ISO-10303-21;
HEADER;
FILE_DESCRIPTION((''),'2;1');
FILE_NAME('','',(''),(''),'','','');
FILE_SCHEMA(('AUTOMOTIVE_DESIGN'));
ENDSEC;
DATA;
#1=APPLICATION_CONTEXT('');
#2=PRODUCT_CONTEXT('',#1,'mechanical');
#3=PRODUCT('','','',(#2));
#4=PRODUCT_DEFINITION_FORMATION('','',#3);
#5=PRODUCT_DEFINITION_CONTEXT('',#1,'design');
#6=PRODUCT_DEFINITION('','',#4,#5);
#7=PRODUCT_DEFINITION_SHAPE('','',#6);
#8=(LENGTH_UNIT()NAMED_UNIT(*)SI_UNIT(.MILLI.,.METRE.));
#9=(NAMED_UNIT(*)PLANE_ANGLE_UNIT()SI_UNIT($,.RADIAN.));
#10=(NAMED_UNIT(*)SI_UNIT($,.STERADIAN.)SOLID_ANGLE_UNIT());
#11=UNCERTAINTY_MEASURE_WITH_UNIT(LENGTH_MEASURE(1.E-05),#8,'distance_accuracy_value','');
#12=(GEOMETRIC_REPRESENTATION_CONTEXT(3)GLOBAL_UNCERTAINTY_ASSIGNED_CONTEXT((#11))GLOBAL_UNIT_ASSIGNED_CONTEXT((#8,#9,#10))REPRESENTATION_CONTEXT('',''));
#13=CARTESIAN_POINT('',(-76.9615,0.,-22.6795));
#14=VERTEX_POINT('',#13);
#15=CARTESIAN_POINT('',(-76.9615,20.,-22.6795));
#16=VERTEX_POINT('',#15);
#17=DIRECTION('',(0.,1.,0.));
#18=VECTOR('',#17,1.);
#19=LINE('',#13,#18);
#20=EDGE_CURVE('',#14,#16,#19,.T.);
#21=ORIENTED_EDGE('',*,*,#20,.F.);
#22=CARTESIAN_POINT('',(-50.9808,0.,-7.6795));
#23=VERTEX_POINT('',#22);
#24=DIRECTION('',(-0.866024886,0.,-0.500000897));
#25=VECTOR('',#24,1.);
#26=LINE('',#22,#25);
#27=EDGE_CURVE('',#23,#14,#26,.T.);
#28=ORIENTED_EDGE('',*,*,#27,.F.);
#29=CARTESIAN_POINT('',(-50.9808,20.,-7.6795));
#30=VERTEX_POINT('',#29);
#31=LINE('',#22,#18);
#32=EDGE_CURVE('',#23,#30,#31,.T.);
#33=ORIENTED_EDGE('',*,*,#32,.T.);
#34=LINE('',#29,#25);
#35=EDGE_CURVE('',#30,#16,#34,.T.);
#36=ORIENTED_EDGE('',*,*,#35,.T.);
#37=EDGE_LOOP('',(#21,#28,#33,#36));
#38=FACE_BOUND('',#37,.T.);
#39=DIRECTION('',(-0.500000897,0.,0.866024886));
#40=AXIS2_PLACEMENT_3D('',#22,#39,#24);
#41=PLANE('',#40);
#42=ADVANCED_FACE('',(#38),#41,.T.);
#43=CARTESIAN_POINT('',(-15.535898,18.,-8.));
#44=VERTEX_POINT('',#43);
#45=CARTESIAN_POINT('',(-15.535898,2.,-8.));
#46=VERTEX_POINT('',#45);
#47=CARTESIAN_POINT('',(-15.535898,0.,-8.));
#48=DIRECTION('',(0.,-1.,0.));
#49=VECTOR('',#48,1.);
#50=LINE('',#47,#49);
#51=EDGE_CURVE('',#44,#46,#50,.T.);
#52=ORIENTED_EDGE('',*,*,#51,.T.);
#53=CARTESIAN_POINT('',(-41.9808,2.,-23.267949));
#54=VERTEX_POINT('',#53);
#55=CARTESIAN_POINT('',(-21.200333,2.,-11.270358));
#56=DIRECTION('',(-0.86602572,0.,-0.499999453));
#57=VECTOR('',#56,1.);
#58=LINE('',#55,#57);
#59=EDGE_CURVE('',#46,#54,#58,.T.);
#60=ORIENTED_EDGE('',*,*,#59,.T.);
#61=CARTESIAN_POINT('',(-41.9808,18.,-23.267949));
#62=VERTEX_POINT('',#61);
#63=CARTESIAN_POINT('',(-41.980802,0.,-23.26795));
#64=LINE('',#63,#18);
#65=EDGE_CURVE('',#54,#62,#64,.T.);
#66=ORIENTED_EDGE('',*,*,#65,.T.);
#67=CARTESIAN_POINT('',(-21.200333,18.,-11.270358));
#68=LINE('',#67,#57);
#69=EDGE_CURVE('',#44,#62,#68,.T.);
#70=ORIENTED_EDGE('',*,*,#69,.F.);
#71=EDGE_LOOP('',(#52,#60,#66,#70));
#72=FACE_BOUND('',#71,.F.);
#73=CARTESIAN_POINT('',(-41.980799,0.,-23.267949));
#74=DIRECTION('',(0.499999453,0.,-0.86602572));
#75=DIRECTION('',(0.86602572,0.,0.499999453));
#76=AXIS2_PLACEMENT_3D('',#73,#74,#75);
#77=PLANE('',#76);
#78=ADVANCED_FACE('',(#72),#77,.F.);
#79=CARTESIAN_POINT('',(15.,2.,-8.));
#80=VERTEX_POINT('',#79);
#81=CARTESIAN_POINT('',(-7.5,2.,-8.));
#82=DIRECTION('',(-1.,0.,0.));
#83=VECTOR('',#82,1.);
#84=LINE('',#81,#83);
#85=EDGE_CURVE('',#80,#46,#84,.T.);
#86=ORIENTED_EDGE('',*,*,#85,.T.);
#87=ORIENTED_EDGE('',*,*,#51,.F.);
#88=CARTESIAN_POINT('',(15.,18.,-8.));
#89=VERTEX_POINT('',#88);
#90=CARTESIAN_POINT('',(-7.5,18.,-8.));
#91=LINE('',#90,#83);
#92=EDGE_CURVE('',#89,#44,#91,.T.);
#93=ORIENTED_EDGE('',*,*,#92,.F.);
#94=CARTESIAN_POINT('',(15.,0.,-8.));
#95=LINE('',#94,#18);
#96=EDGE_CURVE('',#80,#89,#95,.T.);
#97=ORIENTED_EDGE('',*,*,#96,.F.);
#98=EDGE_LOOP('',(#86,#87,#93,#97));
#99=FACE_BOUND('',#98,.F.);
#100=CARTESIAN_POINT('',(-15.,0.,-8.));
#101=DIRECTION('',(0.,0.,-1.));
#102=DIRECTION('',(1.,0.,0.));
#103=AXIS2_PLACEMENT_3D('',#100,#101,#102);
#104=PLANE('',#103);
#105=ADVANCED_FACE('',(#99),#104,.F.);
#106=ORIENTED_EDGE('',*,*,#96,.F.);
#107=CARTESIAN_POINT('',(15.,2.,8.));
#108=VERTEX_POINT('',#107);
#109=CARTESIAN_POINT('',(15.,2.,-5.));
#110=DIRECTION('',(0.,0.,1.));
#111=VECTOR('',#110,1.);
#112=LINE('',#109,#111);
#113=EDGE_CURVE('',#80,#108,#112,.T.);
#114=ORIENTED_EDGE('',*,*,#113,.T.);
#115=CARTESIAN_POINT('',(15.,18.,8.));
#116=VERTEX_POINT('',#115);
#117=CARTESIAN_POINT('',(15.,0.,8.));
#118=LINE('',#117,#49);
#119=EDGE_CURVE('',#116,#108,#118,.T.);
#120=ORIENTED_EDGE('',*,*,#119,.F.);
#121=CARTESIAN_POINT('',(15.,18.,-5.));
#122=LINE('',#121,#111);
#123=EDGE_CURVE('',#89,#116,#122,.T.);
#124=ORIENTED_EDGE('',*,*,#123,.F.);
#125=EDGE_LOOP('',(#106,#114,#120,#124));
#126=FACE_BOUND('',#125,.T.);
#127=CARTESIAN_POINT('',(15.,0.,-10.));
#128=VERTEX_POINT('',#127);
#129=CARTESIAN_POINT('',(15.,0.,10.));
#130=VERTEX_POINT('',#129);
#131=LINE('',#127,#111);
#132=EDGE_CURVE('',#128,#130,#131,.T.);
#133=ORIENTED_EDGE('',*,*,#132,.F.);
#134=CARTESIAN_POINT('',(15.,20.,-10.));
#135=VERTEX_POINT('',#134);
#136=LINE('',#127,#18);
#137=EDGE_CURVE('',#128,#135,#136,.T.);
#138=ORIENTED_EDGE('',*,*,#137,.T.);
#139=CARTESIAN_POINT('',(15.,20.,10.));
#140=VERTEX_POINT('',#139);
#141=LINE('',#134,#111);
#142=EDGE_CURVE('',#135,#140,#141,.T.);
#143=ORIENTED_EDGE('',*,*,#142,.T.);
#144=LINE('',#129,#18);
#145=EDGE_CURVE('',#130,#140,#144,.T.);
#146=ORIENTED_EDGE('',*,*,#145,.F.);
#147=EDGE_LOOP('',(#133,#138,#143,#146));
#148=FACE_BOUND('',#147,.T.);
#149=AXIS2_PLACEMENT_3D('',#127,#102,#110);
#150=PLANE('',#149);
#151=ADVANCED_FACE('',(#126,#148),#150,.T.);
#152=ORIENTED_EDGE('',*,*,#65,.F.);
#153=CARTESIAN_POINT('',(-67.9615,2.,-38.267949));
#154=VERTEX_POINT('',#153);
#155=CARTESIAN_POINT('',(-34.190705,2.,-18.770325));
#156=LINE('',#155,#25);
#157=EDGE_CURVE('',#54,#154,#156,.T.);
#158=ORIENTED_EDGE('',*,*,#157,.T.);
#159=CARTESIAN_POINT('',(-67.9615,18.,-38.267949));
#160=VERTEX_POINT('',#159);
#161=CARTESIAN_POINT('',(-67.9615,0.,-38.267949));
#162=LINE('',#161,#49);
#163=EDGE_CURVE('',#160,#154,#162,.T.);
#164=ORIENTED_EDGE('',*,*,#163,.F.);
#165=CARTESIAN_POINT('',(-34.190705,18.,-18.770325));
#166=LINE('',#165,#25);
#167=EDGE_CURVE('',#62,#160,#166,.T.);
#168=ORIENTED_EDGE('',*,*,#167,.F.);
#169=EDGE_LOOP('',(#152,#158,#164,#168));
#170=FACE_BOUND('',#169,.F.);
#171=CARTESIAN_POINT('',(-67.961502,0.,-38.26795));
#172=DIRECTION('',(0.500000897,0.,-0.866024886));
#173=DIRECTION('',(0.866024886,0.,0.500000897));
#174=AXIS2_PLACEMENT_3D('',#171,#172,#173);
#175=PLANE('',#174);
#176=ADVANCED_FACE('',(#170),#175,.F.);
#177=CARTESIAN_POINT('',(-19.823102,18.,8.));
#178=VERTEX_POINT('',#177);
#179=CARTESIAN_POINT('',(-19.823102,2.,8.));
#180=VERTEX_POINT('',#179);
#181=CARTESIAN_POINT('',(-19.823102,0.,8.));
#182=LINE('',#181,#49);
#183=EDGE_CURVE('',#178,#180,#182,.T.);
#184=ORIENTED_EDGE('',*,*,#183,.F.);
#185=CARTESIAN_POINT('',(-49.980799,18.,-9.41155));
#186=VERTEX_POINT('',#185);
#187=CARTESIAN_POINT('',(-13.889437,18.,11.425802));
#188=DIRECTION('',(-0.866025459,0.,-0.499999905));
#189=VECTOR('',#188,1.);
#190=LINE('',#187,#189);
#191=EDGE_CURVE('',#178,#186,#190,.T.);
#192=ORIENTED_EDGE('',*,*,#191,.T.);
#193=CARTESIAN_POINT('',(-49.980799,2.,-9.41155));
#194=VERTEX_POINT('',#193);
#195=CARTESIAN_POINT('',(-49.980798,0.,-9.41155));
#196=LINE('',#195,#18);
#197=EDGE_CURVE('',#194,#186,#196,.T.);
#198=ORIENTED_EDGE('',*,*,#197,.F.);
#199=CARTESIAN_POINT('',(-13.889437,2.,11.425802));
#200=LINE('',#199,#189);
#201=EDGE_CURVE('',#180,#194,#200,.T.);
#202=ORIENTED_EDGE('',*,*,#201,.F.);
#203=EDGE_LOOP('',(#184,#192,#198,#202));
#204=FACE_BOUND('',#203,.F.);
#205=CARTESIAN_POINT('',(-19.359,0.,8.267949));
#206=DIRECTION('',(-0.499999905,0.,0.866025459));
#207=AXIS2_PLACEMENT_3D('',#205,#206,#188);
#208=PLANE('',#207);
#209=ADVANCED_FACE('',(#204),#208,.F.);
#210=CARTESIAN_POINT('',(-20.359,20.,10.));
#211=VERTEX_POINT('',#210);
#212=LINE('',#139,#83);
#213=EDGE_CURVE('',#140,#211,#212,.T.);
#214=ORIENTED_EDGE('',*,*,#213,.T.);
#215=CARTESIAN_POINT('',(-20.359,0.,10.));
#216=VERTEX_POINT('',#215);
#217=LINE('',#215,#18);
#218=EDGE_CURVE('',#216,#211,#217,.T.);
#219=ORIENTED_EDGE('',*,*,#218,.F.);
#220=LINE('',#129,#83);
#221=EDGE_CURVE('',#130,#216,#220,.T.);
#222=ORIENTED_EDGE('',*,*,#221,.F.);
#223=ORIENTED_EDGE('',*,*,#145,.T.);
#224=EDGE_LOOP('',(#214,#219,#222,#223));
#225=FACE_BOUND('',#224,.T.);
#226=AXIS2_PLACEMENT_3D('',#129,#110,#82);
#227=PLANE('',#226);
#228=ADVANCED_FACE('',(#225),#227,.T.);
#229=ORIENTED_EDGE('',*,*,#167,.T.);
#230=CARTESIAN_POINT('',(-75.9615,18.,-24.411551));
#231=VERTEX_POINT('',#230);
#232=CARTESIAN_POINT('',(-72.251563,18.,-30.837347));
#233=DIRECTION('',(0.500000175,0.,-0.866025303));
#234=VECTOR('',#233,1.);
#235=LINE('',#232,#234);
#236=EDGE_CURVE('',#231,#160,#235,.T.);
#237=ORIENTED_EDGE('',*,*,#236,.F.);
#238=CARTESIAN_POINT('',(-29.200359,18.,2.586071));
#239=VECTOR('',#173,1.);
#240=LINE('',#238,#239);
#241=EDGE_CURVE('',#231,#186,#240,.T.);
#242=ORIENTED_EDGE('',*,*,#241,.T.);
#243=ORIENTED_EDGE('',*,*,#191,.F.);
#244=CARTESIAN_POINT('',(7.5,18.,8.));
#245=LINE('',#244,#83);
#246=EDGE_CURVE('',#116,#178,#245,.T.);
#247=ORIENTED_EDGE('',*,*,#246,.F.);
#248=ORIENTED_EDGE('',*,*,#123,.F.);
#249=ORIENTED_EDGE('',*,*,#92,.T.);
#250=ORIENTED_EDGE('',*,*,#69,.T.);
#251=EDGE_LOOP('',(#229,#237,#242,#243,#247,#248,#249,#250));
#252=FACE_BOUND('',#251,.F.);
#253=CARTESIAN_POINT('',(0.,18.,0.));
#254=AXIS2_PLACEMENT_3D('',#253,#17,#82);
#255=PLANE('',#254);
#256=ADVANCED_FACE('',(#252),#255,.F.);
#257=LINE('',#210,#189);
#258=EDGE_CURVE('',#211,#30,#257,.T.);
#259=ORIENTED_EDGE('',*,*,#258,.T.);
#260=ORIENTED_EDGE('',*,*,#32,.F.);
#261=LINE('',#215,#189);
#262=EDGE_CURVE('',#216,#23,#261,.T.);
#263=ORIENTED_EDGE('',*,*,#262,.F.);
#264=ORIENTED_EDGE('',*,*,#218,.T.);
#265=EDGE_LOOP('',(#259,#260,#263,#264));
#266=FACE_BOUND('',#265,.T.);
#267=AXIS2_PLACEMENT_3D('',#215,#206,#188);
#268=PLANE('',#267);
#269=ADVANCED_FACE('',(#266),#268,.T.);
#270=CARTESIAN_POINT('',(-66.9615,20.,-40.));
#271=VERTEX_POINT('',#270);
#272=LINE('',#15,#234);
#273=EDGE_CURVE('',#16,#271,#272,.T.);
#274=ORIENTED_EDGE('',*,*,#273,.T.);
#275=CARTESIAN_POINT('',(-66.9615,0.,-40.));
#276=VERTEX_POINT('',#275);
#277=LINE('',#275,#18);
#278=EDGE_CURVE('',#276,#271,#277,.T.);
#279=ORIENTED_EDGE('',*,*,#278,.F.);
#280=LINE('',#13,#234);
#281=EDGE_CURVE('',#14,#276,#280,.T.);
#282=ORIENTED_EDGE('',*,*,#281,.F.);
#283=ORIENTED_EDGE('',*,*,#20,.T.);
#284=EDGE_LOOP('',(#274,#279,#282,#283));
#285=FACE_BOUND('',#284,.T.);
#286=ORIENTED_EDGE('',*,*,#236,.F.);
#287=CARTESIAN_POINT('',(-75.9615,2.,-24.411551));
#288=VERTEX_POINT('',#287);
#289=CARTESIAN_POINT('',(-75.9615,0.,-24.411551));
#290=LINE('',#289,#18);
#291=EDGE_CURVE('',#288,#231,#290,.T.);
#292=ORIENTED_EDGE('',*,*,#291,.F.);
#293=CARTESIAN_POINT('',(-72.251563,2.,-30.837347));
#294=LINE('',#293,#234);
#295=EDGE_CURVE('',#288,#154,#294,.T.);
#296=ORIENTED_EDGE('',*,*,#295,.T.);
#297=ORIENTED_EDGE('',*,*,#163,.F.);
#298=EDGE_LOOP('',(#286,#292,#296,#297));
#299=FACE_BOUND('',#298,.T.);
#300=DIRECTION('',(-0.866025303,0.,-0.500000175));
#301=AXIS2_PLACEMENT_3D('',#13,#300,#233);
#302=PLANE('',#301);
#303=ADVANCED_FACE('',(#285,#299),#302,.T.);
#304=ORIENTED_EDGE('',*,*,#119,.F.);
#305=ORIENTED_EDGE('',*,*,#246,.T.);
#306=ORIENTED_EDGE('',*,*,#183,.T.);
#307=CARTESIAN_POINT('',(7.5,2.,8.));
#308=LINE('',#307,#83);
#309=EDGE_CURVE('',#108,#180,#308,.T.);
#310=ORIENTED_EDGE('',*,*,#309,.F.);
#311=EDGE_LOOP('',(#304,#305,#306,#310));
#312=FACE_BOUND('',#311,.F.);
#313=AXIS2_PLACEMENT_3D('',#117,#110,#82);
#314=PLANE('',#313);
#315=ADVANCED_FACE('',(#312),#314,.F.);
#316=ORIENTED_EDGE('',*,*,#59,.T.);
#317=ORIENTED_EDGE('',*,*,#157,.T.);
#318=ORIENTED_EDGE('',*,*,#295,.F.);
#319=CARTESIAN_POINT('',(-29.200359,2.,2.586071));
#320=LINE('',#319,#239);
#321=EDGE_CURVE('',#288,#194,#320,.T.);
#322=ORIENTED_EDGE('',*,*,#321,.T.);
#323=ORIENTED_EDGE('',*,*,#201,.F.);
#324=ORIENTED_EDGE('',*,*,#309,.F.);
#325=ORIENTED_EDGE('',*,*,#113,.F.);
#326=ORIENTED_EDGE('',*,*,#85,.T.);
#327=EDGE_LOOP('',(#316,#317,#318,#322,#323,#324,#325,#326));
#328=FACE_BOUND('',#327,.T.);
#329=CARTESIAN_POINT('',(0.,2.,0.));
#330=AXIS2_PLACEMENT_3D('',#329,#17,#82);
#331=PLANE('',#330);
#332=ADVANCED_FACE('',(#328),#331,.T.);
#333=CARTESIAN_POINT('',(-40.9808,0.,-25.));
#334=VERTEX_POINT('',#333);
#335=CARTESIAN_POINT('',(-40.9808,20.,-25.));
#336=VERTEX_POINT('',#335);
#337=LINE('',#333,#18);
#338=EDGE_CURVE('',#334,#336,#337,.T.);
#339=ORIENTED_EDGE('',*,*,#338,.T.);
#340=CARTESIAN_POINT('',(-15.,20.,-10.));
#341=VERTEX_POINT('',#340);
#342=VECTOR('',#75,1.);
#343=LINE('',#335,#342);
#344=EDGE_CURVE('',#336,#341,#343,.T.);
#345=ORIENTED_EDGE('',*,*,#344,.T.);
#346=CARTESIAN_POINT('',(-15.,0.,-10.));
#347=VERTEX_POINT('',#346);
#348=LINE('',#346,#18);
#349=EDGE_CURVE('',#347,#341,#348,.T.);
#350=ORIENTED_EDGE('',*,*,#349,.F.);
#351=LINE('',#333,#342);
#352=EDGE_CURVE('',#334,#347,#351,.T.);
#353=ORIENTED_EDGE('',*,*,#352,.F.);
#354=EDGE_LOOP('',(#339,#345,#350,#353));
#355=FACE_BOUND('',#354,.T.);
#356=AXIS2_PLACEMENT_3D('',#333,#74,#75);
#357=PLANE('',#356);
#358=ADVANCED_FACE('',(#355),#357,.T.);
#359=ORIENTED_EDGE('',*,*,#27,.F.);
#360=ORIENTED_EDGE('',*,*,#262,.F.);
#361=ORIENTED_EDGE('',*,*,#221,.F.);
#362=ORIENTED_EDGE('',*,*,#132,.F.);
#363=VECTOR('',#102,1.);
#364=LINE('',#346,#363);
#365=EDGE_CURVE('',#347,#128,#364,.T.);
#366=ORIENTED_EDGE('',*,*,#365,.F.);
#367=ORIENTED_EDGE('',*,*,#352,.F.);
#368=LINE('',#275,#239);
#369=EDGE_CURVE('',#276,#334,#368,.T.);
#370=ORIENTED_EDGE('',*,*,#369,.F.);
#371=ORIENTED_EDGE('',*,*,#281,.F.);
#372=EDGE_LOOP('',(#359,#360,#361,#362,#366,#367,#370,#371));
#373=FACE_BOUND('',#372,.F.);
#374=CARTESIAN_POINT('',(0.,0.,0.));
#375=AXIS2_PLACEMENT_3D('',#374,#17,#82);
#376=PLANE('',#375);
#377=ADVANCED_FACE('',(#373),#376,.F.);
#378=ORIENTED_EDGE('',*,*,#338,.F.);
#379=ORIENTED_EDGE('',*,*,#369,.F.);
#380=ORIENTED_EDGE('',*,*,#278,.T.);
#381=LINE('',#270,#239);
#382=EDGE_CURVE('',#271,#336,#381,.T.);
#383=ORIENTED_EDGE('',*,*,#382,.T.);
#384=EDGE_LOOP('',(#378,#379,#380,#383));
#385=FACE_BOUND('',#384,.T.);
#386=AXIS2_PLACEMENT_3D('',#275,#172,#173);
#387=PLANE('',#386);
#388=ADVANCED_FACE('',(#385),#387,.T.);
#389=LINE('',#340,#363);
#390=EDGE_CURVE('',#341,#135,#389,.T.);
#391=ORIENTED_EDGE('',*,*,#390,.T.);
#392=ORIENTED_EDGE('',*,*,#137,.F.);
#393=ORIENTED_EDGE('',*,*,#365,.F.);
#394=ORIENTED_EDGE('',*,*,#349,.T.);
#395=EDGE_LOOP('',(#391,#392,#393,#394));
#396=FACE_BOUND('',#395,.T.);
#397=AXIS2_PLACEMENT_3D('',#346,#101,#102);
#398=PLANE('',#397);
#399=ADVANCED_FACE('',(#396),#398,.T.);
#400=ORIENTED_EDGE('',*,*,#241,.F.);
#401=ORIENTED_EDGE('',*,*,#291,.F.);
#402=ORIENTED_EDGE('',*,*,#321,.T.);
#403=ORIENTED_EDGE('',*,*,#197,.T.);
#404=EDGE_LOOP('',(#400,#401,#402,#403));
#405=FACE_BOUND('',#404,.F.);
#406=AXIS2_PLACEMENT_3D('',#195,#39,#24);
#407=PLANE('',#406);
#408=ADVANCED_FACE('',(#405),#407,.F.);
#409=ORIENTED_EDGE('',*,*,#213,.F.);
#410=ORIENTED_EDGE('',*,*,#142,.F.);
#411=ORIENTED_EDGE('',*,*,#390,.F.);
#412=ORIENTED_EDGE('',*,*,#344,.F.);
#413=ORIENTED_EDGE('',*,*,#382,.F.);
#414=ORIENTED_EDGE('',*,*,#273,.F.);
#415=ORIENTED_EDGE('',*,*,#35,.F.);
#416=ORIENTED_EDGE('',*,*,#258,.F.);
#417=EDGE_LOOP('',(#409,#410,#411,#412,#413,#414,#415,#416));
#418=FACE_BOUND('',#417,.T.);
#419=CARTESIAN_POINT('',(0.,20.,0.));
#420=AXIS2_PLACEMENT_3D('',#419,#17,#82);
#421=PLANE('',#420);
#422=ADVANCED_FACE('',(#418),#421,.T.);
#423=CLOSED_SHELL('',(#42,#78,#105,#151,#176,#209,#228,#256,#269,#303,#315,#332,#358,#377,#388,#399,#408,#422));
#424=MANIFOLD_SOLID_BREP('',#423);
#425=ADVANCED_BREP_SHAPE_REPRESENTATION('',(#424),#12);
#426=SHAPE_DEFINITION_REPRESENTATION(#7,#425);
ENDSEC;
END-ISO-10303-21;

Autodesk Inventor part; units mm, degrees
ref_plane "YZ Plane" through (0, 0, 0) normal (1, 0, 0) x (0, 1, 0)
ref_plane "XZ Plane" through (0, 0, 0) normal (0, 1, 0) x (-1, 0, 0)
ref_plane "XY Plane" through (0, 0, 0) normal (0, 0, 1) x (1, 0, 0)
sketch "Sketch1" plane through (0, 0, 0) normal (0, 1, 0) x (-1, 0, 0)
  line L0 (-15, 10) -> (20.359, 10)
  line L1 (25, 7.3205) -> (15, -10) construction
  line L2 (15, -10) -> (-15, -10)
  line L3 (-15, -10) -> (-15, 10)
  line L4 (-15, 10) -> (15, -10) construction
  line L5 (15, 10) -> (-15, -10) construction
  line L6 (20.359, 10) -> (50.9808, -7.6795)
  line L7 (50.9808, -7.6795) -> (40.9808, -25)
  line L8 (40.9808, -25) -> (15, -10)
  line L9 (15, -10) -> (15, 10) construction
  line L10 (50.9808, -7.6795) -> (76.9615, -22.6795)
  line L11 (76.9615, -22.6795) -> (66.9615, -40)
  line L12 (66.9615, -40) -> (40.9808, -25)
  line L13 (40.9808, -25) -> (50.9808, -7.6795)
  point P0 (0, 0)
  point P1 (15, -10)
  dimension "d0" = 30
  dimension "d3" = 30
  dimension "d4" = 20
extrude "Extrusion1" add sketch "Sketch1" along normal blind 20
shell "Shell1" thickness 2 removed faces 2 at (15, 6.6667, 3.3333) at (-70.2949, 6.6667, -34.2265)
properties part number "finger_one_bend_hollow"
